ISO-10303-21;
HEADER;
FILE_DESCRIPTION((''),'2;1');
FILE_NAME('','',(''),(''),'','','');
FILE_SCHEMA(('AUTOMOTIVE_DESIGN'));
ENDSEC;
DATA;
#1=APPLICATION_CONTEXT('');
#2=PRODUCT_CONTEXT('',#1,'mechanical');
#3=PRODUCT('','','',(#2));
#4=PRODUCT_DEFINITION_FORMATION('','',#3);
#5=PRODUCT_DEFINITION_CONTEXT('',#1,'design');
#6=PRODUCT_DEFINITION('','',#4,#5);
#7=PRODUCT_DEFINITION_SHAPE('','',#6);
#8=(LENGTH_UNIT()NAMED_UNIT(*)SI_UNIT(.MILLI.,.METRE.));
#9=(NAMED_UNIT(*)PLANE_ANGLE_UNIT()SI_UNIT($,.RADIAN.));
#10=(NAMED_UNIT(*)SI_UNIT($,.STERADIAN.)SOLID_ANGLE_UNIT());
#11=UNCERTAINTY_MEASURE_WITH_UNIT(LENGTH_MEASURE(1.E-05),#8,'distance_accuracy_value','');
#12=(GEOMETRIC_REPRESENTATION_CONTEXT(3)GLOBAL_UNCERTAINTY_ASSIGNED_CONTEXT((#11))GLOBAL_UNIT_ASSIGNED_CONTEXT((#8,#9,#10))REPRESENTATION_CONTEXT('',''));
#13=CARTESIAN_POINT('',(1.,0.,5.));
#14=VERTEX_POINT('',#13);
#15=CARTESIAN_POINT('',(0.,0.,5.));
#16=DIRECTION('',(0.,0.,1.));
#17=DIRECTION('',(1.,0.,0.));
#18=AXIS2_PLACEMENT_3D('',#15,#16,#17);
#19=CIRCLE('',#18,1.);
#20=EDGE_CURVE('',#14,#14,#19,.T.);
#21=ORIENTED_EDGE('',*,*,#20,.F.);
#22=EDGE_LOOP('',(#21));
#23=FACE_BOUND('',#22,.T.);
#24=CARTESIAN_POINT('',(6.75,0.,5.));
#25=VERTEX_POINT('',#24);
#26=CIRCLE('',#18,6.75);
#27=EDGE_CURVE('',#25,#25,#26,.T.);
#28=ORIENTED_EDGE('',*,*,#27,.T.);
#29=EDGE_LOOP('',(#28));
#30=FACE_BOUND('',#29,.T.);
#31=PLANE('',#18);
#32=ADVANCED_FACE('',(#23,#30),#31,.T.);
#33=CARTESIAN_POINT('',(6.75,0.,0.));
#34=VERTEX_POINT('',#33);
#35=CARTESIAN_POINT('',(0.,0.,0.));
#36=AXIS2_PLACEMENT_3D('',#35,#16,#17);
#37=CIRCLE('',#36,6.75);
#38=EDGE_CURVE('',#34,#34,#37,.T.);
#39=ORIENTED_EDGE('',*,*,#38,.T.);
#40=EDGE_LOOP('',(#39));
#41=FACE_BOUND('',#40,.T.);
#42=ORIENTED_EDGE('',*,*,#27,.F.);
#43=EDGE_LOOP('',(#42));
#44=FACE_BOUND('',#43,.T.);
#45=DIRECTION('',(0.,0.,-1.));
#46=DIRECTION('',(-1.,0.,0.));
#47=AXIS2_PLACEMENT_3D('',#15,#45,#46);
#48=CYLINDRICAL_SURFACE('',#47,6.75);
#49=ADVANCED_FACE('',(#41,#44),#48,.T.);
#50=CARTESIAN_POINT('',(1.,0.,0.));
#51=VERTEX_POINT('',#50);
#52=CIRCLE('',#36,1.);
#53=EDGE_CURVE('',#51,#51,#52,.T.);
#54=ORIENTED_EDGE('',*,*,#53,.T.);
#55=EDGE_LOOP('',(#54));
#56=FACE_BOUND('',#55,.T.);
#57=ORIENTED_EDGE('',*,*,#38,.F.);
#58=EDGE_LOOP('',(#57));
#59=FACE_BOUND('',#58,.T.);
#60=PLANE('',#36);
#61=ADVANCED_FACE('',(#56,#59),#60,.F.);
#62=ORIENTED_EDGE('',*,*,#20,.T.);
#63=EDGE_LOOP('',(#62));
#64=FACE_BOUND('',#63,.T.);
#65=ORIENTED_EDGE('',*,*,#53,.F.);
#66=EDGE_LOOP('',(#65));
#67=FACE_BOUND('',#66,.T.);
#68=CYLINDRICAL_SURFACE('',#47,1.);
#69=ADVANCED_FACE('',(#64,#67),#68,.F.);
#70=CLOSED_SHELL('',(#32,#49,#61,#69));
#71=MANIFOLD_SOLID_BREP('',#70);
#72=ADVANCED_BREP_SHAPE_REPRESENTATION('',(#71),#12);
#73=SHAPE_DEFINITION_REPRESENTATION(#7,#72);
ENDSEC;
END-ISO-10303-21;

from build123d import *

# Parameters (mm, degrees)
ESQUISSE2_R        = 6.75
ESQUISSE2_R_2      = 1
BOSS_EXTRU_1_DEPTH = 5


with BuildPart() as part:
    # Esquisse2 → Boss.-Extru.1 (new body)
    with BuildSketch(Plane.XY):
        Circle(ESQUISSE2_R)
        Circle(ESQUISSE2_R_2, mode=Mode.SUBTRACT)
    extrude(amount=BOSS_EXTRU_1_DEPTH)


solid = part.part
